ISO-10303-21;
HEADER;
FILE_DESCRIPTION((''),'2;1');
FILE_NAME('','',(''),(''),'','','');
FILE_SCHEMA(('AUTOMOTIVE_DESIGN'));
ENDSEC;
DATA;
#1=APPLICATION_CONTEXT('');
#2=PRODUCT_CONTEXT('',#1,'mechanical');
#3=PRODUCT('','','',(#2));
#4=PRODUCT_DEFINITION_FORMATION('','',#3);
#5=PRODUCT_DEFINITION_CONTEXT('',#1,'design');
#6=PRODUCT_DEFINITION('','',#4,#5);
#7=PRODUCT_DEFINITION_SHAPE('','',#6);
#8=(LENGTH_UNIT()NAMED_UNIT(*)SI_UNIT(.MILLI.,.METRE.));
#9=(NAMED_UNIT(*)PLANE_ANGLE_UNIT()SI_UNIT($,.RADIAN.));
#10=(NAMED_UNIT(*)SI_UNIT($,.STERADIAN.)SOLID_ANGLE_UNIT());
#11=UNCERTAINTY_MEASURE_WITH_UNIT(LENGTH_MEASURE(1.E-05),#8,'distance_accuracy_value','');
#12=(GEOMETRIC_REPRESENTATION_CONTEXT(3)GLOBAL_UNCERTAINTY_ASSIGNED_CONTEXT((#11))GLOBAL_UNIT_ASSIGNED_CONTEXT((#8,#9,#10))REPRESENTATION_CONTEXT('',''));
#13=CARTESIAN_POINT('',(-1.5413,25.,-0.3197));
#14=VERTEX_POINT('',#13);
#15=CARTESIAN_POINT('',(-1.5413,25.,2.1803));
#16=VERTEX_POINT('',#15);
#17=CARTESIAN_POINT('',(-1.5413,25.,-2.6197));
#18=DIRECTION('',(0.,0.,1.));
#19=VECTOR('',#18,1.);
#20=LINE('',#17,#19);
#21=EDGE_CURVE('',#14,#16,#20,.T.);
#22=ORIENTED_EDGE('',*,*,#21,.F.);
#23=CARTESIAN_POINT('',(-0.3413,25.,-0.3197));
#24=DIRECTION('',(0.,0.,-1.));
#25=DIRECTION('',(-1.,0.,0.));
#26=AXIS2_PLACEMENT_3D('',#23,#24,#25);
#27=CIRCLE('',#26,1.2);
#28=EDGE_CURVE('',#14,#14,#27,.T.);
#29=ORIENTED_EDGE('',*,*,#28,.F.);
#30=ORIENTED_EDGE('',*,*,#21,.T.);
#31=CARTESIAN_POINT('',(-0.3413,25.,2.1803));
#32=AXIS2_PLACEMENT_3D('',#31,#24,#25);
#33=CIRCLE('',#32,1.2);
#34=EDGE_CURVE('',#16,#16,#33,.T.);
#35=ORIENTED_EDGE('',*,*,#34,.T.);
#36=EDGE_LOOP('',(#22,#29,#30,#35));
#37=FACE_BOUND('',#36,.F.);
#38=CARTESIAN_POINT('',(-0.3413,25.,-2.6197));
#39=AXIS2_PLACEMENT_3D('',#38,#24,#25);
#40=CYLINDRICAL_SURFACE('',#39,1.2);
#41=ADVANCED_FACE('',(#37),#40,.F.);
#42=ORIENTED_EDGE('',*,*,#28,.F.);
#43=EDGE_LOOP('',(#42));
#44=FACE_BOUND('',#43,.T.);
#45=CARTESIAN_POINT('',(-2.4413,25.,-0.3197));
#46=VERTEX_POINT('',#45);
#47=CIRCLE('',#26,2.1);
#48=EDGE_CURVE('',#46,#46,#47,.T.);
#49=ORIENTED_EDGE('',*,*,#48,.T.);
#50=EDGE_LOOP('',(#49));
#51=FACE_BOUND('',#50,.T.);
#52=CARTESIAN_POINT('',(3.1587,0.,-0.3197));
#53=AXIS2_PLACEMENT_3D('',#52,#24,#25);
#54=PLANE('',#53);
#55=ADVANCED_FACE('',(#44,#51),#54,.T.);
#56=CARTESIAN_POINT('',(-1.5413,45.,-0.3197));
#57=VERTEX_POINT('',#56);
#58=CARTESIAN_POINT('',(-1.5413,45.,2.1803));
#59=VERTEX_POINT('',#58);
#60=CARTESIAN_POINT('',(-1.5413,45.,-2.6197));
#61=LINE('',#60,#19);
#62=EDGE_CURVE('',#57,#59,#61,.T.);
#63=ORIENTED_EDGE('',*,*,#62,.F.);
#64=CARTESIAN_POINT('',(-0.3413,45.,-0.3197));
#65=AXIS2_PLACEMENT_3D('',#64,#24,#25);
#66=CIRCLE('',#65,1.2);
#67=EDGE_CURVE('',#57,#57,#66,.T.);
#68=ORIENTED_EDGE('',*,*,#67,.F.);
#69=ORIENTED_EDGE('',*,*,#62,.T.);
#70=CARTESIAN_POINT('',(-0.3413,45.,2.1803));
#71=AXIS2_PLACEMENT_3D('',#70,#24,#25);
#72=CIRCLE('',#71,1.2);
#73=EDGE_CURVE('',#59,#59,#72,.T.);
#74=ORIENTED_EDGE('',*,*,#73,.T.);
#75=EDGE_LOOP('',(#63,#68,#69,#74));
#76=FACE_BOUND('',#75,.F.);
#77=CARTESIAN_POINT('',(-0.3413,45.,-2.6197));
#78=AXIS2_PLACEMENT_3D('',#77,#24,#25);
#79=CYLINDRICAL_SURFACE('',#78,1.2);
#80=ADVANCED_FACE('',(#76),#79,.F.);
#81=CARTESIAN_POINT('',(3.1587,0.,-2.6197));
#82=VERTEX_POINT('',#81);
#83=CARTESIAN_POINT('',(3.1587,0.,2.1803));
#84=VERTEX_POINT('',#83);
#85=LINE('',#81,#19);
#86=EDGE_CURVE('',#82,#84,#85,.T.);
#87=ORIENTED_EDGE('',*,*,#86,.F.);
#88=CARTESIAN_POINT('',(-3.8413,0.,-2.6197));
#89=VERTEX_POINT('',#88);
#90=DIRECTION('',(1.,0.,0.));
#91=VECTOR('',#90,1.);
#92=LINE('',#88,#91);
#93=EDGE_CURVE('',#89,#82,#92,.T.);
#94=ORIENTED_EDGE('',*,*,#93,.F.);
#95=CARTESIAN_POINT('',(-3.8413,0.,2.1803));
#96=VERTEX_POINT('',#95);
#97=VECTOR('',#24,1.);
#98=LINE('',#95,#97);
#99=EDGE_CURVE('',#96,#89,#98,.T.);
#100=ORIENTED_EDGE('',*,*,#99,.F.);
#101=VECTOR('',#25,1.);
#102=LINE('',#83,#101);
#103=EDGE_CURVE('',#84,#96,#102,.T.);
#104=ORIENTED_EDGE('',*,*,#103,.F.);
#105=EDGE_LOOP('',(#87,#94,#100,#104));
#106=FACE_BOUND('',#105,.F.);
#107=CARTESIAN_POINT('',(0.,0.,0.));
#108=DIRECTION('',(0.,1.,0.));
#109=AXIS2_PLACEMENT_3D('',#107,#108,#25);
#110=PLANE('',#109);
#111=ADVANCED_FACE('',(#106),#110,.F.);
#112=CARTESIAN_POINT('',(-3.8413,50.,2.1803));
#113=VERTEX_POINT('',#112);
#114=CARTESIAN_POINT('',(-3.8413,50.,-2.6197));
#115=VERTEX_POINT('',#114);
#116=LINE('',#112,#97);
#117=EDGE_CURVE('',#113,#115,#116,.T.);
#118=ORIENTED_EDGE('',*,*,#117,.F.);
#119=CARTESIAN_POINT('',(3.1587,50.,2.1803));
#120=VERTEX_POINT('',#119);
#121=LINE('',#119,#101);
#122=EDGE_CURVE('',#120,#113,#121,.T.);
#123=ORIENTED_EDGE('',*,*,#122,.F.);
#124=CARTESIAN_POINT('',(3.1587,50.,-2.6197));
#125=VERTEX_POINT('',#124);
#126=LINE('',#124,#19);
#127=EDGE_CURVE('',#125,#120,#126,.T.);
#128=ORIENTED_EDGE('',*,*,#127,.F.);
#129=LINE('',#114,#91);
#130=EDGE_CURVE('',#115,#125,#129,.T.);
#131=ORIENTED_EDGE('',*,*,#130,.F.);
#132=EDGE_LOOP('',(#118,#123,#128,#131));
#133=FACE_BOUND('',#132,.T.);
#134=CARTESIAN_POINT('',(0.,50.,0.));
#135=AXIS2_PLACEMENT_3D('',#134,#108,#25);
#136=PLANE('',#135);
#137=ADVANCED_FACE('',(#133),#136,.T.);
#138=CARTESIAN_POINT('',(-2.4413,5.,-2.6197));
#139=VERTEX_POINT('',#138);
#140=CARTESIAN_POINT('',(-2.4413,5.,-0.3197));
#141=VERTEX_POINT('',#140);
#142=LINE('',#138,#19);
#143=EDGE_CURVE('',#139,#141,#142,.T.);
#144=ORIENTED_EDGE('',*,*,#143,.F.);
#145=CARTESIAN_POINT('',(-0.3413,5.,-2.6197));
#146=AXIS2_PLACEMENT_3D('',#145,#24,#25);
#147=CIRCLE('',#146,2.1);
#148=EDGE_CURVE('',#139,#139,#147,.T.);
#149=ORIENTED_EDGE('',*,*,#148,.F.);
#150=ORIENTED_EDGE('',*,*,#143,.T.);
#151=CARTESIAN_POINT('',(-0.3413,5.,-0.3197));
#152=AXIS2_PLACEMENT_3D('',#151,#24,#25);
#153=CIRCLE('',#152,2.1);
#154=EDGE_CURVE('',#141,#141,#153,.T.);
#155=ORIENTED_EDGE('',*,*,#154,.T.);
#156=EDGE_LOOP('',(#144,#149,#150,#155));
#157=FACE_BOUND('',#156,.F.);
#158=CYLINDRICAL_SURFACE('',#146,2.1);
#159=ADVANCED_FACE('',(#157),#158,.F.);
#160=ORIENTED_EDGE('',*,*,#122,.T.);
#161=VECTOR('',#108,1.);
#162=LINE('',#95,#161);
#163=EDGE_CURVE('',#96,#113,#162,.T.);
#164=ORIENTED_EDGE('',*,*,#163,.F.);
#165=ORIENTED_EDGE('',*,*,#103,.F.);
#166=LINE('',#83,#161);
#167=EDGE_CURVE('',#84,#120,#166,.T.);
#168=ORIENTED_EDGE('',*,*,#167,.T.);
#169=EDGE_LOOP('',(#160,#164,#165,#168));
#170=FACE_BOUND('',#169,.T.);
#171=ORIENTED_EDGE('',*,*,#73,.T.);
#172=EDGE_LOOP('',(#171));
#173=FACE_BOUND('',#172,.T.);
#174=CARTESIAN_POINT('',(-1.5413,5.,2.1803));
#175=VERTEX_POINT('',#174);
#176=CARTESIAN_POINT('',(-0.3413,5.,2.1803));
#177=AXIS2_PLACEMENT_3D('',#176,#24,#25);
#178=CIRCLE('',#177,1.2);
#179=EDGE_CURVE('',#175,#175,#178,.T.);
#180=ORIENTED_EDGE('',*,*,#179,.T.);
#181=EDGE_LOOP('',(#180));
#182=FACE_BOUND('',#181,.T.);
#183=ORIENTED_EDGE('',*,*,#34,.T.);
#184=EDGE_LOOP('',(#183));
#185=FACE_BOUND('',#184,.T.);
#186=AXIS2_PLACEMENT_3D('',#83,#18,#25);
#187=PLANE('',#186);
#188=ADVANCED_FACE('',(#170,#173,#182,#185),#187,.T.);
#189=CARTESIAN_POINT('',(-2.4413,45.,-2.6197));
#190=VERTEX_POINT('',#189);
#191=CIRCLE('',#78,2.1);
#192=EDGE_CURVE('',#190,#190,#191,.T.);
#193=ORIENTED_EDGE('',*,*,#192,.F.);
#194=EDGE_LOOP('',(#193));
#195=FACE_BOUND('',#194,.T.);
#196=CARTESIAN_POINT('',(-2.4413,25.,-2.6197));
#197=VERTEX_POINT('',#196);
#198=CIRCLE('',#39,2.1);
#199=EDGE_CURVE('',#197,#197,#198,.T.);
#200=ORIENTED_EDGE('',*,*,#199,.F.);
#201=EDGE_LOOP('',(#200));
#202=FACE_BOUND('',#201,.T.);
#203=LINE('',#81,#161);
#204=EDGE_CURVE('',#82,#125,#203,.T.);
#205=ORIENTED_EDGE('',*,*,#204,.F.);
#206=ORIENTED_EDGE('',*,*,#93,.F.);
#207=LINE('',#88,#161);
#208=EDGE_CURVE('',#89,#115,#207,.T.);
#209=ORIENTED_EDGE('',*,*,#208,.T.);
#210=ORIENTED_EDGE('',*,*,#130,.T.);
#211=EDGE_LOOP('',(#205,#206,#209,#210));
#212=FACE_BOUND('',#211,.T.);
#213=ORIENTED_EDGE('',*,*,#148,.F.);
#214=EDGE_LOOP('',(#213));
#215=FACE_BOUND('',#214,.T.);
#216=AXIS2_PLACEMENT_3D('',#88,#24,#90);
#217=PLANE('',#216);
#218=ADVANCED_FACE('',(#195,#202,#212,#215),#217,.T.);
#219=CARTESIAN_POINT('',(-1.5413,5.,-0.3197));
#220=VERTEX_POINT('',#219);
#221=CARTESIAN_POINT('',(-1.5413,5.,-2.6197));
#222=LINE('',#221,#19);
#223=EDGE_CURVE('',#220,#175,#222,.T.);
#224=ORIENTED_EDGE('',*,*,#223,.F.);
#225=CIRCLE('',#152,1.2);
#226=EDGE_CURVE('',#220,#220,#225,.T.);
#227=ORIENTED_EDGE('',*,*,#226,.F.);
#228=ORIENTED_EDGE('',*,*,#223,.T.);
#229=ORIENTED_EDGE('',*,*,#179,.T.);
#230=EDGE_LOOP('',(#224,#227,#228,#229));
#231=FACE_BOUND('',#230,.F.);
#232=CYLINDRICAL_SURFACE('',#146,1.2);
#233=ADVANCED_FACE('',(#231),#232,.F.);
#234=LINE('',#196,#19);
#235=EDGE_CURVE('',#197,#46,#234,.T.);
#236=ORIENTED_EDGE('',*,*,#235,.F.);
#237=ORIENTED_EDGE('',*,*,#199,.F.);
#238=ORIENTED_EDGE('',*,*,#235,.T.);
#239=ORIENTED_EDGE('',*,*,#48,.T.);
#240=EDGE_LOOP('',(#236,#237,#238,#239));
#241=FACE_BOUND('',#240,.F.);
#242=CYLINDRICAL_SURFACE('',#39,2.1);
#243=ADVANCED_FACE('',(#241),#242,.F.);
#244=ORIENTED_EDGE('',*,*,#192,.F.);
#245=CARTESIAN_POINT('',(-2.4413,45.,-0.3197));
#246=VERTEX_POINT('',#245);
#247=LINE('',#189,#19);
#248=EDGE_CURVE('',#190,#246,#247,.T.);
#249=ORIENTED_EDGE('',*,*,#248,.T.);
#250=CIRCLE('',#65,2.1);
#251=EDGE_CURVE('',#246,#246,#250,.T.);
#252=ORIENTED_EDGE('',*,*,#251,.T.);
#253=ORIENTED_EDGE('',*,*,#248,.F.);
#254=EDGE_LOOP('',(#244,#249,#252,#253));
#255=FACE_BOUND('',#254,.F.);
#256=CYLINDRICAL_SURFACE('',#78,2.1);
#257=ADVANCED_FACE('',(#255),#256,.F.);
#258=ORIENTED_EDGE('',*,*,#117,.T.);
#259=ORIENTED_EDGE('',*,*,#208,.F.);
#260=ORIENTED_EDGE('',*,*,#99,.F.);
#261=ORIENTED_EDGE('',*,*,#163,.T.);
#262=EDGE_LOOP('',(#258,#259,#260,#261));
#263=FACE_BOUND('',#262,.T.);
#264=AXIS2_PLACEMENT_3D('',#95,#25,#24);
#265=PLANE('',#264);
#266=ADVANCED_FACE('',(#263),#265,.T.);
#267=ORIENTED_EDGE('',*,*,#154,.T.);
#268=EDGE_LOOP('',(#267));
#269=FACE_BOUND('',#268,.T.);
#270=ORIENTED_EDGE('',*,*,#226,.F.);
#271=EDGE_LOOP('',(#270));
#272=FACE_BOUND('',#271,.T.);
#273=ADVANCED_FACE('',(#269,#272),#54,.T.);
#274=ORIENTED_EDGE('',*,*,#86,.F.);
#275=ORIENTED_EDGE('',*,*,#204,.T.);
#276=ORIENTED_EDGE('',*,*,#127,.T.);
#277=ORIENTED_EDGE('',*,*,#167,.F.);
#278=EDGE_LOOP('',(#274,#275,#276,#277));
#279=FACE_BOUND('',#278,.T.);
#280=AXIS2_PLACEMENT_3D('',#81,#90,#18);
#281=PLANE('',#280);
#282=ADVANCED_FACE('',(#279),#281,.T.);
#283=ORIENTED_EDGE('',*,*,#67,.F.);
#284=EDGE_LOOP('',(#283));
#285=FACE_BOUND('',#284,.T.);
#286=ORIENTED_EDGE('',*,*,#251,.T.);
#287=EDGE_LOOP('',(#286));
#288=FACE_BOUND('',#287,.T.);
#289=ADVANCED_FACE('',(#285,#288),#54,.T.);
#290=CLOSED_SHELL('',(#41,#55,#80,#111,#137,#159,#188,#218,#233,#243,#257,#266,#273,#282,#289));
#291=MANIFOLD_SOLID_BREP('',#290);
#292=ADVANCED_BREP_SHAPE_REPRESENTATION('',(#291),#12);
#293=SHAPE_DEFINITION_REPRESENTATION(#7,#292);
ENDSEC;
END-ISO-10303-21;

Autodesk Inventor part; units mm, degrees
ref_plane "YZ Plane" through (0, 0, 0) normal (1, 0, 0) x (0, 1, 0)
ref_plane "XZ Plane" through (0, 0, 0) normal (0, 1, 0) x (-1, 0, 0)
ref_plane "XY Plane" through (0, 0, 0) normal (0, 0, 1) x (1, 0, 0)
sketch "Sketch1" plane through (0, 0, 0) normal (0, 1, 0) x (-1, 0, 0)
  line L0 (3.8413, -2.6197) -> (-3.1587, -2.6197)
  line L1 (-3.1587, -2.6197) -> (-3.1587, 2.1803)
  line L2 (-3.1587, 2.1803) -> (3.8413, 2.1803)
  line L3 (3.8413, 2.1803) -> (3.8413, -2.6197)
  point P0 (0, 0)
  dimension "d0" = 4.8
  dimension "d1" = 7
extrude "Extrusion1" add sketch "Sketch1" along normal blind 50
sketch "Sketch2" plane through (3.1587, 0, -2.6197) normal (0, 0, -1) x (-1, 0, 0)
  circle A0 centre (3.5, 5) radius 1.2
  line L0 (0, 0) -> (7, 0) projected
  line L1 (7, 0) -> (7, 50) projected
  circle A1 centre (3.5, 25) radius 1.2
  circle A2 centre (3.5, 45) radius 1.2
  point P0 (3.1587, 0)
  dimension "d4" = 2.4
  dimension "d5" = 5
  dimension "d6" = 3.5
  dimension "d9" = 20
extrude "Extrusion2" cut sketch "Sketch2" against normal through all
sketch "Sketch3" plane through (3.1587, 0, -2.6197) normal (0, 0, -1) x (-1, 0, 0)
  circle A0 centre (3.5, 45) radius 1.2 projected
  circle A1 centre (3.5, 45) radius 2.1
  circle A2 centre (3.5, 25) radius 1.2 projected
  circle A3 centre (3.5, 25) radius 2.1
  circle A4 centre (3.5, 5) radius 1.2 projected
  circle A5 centre (3.5, 5) radius 2.1
  point P0 (3.1587, 0)
  dimension "d16" = 4.2
  dimension "d17" = 4.2
  dimension "d18" = 4.2
extrude "Extrusion3" cut sketch "Sketch3" against normal blind 2.3 contours A0 | A1 | A2 | A3 | A4 | A5
properties part number "MGN7c_50mm_rail"
